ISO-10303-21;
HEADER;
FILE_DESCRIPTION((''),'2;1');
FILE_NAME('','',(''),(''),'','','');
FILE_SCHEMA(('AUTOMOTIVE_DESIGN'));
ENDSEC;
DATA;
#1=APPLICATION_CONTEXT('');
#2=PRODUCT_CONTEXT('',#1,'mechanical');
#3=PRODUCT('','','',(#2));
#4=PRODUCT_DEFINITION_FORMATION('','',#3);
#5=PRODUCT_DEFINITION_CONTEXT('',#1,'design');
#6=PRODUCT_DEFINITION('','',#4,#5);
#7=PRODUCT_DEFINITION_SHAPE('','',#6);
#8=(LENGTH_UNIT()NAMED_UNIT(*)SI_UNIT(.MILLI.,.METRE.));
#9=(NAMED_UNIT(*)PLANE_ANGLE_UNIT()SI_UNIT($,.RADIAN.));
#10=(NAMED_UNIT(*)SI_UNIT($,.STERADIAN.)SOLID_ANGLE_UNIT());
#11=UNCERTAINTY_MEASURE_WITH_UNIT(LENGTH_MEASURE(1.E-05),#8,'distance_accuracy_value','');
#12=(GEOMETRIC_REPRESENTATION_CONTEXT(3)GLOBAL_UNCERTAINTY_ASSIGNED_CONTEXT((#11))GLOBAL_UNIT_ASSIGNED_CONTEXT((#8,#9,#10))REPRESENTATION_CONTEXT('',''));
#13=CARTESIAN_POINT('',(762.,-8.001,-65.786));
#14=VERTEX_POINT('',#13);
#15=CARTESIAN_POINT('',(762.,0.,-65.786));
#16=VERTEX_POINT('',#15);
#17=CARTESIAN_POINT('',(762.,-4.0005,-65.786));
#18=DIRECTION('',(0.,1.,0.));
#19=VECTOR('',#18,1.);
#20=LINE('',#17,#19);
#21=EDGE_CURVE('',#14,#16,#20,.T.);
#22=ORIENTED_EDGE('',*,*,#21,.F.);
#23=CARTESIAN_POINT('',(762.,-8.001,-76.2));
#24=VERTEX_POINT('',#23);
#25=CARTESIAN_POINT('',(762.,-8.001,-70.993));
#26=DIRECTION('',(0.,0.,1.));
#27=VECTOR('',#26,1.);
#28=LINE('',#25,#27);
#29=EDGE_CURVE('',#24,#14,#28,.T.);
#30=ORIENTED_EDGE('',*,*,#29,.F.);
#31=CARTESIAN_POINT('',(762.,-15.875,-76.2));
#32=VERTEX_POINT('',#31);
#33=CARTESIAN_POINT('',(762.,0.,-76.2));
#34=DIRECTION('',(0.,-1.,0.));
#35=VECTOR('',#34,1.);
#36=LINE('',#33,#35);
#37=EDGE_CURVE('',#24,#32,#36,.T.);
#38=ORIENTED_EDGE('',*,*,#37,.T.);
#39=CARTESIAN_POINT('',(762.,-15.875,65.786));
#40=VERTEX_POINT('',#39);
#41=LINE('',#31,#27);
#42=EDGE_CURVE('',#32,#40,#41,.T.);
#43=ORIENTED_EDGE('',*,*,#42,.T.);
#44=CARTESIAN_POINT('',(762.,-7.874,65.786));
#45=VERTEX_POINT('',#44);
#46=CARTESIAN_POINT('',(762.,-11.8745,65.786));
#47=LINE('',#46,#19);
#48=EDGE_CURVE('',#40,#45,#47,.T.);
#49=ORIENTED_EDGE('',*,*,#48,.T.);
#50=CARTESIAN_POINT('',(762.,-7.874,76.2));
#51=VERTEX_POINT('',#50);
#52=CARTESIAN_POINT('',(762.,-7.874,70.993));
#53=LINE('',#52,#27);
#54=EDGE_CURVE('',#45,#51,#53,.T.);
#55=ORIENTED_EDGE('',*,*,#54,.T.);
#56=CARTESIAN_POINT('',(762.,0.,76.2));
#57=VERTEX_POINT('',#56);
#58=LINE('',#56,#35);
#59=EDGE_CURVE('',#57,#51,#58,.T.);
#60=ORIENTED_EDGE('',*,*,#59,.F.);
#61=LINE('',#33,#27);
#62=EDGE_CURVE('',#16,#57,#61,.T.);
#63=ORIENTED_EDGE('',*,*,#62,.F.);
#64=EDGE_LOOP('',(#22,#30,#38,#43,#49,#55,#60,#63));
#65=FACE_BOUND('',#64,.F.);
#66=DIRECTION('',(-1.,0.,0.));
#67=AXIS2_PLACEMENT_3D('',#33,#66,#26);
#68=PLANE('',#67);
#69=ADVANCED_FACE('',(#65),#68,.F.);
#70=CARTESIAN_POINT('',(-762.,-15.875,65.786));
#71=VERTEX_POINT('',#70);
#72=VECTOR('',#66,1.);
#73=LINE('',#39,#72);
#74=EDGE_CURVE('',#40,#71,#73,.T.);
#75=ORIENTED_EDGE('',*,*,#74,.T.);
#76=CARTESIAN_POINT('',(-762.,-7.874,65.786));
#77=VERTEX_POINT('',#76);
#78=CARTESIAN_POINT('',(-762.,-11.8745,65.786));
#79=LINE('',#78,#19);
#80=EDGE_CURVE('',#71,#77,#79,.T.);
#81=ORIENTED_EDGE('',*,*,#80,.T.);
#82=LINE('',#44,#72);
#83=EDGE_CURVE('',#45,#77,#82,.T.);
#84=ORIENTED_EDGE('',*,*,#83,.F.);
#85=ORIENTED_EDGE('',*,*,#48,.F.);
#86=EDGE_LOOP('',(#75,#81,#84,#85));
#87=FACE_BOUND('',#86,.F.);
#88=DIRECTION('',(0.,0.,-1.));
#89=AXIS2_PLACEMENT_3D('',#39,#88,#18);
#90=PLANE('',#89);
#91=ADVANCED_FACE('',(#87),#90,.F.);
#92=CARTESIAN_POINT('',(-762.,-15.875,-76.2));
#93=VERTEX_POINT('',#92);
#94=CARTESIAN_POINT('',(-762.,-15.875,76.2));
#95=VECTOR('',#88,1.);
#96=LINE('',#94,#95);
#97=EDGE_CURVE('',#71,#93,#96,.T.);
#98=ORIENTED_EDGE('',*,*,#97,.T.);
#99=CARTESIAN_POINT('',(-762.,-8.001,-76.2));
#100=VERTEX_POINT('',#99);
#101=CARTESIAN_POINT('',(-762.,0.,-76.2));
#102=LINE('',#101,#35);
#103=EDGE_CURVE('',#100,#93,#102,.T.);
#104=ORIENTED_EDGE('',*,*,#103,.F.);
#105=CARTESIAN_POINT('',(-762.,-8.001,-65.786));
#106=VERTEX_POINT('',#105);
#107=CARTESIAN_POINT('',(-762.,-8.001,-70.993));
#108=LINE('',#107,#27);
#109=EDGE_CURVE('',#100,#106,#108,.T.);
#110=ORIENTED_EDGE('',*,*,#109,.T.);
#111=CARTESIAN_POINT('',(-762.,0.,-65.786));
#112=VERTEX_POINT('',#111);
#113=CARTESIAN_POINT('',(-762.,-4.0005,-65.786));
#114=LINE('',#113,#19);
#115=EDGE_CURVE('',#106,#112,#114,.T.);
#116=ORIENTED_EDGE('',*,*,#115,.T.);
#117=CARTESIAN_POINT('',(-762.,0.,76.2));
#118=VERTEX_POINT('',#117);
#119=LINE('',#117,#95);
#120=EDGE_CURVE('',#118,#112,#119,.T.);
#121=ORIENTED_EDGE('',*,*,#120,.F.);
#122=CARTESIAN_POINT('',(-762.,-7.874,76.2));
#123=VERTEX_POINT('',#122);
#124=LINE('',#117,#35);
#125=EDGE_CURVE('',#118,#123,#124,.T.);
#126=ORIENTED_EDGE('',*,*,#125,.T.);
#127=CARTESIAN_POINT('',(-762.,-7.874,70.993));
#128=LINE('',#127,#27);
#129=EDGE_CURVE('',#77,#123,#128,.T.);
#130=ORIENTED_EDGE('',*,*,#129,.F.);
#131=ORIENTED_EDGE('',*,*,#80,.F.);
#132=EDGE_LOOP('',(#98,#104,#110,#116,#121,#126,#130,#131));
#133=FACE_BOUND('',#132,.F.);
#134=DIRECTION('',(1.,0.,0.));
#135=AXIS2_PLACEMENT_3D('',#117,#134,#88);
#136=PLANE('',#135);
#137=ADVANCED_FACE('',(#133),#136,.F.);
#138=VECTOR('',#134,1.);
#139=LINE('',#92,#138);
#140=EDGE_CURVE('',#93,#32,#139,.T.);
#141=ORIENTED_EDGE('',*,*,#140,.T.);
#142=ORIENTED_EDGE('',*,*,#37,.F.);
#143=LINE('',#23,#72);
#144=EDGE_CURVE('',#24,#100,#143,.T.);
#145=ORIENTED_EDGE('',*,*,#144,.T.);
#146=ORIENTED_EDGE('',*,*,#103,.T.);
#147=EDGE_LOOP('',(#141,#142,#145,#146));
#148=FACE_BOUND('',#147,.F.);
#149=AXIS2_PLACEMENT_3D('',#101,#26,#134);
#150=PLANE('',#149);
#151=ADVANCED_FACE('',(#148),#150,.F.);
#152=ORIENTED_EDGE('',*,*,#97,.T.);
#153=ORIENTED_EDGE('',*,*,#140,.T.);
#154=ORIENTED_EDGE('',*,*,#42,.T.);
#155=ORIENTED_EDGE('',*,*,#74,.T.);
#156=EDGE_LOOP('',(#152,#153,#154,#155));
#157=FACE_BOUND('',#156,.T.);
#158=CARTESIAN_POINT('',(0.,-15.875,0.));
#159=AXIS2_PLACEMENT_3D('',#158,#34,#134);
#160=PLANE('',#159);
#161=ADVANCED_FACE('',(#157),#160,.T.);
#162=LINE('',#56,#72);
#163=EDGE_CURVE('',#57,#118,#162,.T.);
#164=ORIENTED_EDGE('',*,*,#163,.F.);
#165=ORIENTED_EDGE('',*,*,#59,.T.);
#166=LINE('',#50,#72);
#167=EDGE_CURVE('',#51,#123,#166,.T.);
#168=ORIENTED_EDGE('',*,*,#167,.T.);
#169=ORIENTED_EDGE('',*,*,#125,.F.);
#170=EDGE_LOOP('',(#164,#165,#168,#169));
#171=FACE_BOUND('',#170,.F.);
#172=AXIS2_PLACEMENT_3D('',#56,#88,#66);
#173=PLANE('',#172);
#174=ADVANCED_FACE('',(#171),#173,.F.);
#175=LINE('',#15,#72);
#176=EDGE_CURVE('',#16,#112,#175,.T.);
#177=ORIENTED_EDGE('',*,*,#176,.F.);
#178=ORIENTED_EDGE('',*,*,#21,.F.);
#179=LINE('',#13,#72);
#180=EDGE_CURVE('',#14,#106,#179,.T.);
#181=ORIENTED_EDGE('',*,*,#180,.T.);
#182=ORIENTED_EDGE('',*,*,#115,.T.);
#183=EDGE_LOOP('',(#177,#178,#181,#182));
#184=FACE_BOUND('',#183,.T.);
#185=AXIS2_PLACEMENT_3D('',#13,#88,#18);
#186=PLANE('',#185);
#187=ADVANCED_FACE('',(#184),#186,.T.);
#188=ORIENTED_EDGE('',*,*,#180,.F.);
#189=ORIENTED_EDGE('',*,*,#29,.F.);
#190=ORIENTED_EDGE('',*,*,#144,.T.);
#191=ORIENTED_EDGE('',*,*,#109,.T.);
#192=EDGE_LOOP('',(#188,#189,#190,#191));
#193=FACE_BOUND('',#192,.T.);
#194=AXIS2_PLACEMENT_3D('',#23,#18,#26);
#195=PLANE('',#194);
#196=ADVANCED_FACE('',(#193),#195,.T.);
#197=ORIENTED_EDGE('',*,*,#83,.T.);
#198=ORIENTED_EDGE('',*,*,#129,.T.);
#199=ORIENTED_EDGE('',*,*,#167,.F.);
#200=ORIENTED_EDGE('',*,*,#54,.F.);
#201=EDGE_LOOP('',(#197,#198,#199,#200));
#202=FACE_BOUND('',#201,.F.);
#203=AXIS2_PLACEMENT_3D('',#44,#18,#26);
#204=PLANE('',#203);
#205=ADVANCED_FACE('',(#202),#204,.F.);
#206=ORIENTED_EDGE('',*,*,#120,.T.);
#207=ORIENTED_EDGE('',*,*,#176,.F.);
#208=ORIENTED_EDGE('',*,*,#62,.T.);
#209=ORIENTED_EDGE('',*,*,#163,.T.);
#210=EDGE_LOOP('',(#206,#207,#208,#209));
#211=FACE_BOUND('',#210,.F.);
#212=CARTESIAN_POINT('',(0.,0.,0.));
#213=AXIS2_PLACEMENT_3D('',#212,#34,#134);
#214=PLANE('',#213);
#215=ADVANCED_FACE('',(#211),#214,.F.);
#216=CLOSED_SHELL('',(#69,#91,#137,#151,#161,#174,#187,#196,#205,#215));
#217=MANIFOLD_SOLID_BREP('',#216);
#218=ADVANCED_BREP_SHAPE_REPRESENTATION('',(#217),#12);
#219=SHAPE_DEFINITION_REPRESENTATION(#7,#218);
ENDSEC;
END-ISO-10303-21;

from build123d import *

# Parameters (mm, degrees)
F1_DEPTH = 15.875
F2_W     = 8.001
F2_H     = 10.414
F3_DEPTH = 1524


with BuildPart() as f1:
    # F0 (on Front) → F1 (new body)
    with BuildSketch(Plane.XZ):
        Polygon((762, -76.2), (762, 0), (762, 76.2), (-762, 76.2), (-762, -76.2), align=None)
    extrude(amount=F1_DEPTH)

    # F2 (on face) → F3 (cut, through all)
    with BuildSketch(Plane.YZ.offset(762)):
        with Locations((-4.0005, -70.993)):
            Rectangle(F2_W, F2_H)
        with Locations((-11.8745, 70.993)):
            Rectangle(F2_W, F2_H)
    extrude(amount=-F3_DEPTH, mode=Mode.SUBTRACT)


solid = f1.part
